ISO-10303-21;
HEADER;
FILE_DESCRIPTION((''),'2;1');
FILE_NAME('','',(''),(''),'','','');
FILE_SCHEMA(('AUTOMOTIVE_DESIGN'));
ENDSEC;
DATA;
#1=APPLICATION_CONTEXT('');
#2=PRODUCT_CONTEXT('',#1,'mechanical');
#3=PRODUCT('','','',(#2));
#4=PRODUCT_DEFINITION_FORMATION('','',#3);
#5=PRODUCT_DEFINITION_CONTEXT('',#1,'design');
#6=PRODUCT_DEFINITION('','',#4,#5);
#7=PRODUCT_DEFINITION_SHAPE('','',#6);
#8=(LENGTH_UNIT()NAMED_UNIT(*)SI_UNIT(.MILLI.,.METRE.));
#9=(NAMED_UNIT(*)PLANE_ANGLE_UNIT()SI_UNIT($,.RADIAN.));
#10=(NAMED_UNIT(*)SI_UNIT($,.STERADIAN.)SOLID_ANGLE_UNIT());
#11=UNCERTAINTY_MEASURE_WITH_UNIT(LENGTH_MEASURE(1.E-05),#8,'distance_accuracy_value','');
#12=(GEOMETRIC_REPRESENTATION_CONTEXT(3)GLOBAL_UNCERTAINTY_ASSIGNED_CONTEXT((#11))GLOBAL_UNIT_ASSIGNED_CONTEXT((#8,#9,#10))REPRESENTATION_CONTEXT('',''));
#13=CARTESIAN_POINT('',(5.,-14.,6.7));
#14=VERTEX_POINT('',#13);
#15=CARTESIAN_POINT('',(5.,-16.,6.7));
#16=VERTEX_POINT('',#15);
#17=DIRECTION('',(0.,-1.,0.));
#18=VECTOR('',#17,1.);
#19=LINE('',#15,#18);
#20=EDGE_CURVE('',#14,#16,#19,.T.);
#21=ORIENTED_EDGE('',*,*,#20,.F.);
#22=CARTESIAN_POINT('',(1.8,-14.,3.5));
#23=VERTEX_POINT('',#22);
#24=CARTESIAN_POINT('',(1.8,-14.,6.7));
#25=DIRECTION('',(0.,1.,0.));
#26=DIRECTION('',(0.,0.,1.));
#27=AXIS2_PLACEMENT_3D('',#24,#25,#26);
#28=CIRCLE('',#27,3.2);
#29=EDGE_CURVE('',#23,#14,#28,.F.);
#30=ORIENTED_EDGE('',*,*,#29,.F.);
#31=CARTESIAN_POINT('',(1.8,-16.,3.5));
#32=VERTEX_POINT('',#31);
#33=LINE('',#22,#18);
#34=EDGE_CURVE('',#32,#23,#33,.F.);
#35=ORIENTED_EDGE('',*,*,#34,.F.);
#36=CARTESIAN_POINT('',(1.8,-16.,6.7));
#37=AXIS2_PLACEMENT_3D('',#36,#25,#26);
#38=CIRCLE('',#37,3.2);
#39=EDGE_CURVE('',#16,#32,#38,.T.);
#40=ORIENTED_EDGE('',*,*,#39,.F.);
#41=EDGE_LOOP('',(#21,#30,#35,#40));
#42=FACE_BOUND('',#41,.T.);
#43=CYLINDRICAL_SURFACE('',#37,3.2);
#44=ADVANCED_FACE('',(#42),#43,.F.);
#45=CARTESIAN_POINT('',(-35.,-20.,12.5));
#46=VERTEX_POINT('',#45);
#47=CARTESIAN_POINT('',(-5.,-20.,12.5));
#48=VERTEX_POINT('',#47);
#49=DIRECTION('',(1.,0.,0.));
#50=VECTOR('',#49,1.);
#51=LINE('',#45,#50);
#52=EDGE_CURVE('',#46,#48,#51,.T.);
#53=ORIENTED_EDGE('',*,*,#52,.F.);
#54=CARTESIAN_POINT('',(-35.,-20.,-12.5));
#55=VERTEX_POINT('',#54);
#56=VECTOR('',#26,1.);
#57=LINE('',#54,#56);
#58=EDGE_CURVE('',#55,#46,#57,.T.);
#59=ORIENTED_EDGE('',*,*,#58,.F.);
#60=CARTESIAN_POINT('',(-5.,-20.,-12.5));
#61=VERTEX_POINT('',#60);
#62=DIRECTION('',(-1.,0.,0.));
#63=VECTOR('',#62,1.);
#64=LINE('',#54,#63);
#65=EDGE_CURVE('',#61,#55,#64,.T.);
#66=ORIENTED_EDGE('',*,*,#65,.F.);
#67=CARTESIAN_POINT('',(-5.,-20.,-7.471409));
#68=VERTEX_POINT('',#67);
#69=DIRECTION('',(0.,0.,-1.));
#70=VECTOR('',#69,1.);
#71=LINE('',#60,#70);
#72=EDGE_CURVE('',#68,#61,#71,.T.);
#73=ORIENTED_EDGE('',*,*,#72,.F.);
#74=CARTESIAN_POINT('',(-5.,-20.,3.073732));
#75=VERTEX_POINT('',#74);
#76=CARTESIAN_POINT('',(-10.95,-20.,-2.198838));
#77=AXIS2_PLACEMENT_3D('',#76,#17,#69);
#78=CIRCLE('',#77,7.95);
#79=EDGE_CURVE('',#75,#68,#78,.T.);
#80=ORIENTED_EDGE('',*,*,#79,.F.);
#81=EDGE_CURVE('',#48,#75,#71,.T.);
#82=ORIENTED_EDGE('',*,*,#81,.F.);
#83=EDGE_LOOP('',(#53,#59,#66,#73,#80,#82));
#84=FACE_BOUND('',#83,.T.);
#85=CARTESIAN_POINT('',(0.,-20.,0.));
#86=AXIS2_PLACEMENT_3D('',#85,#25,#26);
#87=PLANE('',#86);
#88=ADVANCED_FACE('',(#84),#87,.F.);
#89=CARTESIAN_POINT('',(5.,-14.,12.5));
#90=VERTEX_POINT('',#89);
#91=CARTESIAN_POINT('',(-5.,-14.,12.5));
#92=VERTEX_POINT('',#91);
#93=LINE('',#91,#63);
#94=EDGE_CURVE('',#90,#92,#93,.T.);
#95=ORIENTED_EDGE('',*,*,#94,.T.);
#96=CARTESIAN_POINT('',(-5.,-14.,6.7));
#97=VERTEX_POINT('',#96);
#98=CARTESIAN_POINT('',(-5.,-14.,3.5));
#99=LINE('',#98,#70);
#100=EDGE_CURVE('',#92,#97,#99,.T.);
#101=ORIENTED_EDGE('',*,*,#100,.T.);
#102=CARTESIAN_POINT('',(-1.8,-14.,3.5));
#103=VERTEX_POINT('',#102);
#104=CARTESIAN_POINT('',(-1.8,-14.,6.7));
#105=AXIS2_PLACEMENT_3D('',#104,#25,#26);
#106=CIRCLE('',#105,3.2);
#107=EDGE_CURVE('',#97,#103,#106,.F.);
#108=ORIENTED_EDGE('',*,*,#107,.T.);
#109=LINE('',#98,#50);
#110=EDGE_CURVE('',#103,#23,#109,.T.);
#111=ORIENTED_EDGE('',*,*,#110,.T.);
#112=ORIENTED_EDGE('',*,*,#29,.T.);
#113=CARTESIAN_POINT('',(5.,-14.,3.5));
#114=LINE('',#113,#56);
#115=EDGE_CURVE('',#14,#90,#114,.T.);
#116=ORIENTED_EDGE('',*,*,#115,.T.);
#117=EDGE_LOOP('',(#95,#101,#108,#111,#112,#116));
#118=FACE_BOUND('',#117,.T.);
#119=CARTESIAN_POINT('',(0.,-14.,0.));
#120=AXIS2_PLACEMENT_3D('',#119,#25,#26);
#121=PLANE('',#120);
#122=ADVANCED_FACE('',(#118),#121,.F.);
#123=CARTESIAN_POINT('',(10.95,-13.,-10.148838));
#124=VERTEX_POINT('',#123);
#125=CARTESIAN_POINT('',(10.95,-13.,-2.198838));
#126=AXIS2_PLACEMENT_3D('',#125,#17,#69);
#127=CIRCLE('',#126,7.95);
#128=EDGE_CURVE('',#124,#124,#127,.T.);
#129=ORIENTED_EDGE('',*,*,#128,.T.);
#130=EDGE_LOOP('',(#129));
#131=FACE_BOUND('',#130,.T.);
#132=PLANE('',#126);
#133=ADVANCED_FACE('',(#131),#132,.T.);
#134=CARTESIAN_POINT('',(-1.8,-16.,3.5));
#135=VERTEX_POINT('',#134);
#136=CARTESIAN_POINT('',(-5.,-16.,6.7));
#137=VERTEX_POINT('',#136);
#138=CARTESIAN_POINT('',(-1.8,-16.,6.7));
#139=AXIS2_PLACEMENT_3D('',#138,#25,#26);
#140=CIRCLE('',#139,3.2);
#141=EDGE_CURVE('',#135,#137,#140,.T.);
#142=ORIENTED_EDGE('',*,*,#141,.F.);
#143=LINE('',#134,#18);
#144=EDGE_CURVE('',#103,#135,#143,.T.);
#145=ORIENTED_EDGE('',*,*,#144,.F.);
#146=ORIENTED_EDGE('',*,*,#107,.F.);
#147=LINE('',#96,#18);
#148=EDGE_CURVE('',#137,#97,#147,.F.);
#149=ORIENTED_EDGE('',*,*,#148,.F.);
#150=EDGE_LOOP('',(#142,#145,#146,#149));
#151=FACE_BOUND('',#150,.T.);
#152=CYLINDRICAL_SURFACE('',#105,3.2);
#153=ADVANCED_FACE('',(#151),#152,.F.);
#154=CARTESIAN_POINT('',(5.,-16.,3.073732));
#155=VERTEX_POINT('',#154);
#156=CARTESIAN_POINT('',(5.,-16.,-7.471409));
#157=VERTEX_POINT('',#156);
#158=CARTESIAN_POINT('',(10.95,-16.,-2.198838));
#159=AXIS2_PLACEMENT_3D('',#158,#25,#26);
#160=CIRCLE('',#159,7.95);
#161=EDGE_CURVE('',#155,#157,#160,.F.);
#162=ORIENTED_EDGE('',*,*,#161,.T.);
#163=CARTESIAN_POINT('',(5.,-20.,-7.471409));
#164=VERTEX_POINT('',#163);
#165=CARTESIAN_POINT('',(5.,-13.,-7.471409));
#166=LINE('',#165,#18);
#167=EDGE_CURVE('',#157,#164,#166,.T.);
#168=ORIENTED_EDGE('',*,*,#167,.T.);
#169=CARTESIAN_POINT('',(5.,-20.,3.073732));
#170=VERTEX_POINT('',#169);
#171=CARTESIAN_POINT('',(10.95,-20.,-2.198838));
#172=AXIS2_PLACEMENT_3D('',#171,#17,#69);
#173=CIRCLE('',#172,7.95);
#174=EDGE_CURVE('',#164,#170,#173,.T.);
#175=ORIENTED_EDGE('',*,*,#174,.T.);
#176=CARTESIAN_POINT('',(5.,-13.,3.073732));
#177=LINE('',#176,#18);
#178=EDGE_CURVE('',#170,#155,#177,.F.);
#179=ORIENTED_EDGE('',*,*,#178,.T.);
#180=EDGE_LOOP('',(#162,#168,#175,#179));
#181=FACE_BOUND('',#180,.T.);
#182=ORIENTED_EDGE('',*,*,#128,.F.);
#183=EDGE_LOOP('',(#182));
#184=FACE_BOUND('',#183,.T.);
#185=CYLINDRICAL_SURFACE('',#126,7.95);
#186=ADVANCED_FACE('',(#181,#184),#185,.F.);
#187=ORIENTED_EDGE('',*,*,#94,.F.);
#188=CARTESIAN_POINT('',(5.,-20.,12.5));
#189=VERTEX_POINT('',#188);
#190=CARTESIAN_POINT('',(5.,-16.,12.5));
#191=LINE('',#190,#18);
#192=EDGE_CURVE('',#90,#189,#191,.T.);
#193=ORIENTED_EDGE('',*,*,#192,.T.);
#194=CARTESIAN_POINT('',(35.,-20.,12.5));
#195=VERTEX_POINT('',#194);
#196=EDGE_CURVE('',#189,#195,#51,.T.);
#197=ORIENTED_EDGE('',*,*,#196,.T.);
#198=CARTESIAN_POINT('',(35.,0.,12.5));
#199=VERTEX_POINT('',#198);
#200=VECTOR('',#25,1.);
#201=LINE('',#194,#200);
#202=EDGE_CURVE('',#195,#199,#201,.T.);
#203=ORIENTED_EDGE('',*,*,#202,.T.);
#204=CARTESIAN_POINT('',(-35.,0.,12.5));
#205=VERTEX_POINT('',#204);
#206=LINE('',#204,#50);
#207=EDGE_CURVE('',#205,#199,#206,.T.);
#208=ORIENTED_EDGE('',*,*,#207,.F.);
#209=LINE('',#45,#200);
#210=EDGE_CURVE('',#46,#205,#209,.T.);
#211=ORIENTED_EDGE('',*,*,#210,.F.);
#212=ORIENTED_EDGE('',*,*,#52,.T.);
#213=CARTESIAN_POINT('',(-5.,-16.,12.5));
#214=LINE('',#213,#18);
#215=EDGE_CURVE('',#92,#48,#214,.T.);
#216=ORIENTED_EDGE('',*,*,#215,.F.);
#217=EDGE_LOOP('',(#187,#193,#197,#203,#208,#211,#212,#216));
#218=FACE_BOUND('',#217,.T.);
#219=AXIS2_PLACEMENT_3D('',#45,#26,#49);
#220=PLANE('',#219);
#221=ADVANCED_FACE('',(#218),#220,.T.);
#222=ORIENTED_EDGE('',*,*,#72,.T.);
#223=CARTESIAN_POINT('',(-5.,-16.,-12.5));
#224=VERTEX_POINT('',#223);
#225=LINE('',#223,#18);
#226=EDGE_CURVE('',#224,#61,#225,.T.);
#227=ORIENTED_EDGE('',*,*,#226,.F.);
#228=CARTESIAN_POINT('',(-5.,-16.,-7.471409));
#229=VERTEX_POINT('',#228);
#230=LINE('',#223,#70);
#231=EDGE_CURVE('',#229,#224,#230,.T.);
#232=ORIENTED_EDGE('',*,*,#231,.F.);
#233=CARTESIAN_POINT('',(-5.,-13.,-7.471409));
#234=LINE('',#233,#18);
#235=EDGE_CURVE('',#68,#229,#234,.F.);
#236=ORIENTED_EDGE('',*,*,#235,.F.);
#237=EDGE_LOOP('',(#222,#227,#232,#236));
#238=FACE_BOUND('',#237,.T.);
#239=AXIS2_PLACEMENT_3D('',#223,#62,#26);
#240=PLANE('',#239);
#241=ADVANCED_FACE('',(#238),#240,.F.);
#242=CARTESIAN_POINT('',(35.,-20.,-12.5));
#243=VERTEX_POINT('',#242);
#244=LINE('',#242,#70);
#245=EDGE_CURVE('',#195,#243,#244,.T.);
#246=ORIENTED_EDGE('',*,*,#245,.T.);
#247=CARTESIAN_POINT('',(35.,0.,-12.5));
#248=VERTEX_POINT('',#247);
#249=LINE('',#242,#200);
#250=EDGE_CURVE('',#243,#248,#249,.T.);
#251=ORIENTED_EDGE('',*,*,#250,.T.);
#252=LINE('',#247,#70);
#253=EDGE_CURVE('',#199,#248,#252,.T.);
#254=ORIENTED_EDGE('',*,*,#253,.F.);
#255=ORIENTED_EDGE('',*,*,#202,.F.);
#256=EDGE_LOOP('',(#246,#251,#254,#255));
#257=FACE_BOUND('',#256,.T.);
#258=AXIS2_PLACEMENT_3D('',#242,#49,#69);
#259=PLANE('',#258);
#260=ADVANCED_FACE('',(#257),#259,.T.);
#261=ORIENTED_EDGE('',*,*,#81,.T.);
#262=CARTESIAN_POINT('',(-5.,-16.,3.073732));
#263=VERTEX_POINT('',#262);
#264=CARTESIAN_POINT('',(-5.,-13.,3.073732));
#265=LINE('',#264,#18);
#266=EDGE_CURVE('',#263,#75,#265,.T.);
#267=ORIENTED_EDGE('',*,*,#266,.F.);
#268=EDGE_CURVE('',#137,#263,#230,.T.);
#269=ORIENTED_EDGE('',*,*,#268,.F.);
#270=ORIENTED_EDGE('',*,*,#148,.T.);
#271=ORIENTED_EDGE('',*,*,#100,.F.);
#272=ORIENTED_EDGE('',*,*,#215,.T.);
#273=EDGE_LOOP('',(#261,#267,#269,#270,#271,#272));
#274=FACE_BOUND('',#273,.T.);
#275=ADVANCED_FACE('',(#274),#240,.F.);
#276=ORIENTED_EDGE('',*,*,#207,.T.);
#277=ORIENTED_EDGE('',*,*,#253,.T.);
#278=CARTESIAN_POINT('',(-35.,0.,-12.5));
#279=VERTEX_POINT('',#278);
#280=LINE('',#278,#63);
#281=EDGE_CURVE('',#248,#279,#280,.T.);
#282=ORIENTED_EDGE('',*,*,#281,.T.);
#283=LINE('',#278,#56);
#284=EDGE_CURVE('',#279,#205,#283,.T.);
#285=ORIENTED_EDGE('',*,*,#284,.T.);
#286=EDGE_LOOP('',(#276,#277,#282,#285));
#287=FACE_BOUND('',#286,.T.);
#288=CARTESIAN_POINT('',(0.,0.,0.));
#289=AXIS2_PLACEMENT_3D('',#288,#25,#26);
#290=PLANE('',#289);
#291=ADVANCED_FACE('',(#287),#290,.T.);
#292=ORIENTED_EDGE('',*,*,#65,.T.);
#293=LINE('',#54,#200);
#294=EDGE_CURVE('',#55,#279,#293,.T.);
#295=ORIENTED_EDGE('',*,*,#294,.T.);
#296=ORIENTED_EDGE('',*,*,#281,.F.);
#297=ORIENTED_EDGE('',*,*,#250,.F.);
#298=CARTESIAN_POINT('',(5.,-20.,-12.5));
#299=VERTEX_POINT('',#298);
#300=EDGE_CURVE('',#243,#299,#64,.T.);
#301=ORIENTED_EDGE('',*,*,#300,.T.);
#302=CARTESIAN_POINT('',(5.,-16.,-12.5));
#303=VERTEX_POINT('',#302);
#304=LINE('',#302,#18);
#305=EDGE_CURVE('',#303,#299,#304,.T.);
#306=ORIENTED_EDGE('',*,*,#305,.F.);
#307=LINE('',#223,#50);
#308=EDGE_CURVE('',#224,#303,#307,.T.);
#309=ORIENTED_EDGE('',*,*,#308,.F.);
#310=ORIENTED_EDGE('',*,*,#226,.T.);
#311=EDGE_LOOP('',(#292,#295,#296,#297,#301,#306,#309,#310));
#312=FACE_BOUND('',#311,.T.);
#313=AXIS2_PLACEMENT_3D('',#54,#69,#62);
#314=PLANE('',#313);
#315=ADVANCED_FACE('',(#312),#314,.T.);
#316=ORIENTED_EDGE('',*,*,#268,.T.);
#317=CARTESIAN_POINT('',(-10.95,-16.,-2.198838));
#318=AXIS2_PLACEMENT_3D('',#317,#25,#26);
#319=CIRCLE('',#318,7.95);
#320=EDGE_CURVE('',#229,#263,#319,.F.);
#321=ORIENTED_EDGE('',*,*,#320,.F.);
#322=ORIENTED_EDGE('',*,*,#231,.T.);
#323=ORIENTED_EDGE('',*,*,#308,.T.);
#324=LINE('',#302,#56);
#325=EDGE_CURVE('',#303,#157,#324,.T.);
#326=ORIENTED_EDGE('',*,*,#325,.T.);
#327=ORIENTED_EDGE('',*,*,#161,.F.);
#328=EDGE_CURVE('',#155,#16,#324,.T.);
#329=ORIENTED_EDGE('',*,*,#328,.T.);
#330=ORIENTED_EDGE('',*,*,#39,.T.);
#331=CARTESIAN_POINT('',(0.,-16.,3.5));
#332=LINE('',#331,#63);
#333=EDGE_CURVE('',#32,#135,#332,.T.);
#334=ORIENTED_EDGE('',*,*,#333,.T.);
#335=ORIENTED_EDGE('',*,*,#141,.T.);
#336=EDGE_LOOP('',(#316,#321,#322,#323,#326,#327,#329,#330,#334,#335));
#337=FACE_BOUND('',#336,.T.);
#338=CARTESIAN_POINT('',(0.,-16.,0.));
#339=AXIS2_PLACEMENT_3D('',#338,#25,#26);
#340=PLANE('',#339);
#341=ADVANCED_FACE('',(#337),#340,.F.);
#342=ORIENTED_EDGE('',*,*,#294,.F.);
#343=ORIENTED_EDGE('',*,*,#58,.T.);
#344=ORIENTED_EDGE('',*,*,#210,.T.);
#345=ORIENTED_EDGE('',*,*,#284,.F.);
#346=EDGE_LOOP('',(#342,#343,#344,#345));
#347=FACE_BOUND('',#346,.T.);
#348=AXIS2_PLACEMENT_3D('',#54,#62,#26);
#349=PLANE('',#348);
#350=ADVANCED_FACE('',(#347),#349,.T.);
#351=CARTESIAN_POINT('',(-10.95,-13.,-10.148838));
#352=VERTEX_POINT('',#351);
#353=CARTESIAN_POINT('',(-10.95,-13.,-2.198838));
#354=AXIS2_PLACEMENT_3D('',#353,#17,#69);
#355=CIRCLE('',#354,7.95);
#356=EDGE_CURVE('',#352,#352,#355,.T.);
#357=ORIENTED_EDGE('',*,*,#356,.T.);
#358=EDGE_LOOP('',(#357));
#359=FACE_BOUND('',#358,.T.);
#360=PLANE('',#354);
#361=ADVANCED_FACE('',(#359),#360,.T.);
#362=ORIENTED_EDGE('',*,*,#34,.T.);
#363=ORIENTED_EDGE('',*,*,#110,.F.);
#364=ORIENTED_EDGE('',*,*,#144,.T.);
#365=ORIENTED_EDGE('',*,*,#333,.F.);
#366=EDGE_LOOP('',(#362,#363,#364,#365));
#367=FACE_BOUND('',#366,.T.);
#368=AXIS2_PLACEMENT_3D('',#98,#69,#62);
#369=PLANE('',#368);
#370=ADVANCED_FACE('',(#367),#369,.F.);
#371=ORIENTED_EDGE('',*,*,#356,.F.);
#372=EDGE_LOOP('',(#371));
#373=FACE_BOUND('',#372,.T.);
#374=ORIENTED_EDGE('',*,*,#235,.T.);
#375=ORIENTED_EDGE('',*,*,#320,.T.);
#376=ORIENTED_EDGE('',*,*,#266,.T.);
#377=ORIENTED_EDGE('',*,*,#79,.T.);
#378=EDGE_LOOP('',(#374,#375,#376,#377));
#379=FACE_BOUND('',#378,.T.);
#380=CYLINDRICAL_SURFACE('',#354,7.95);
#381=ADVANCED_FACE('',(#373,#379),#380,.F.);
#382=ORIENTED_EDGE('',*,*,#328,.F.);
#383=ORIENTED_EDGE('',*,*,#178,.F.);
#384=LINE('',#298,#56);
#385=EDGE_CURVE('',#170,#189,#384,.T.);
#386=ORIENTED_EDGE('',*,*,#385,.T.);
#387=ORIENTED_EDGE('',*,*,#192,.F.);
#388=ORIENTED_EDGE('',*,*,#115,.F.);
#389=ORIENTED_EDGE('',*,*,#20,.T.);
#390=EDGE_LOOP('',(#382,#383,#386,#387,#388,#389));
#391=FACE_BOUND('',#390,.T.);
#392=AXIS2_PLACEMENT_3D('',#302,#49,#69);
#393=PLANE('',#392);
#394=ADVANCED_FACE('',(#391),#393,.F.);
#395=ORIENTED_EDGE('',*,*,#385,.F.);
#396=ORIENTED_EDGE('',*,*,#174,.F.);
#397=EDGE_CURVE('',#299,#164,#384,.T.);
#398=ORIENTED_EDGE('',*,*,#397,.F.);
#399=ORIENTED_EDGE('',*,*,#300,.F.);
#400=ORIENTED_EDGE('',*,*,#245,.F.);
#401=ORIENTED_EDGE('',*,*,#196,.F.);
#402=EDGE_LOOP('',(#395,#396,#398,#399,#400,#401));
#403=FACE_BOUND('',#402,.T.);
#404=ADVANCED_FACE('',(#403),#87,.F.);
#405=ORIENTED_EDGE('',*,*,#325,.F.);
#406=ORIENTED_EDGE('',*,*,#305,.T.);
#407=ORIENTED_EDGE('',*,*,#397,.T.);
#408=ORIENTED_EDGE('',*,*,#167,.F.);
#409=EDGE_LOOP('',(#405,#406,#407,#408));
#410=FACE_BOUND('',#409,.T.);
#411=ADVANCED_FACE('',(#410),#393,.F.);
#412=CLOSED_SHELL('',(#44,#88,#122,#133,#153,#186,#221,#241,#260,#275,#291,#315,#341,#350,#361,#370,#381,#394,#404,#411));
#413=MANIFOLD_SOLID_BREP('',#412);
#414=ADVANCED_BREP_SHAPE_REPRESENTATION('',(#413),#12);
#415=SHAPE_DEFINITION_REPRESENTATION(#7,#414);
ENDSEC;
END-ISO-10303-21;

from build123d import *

# Parameters (mm, degrees)
SKETCH1_W           = 70
SKETCH1_H           = 25
BOSS_EXTRUDE1_DEPTH = 20
SKETCH2_R           = 7.95
CUT_EXTRUDE1_DEPTH  = 7
SKETCH3_W           = 10
SKETCH3_H           = 25
CUT_EXTRUDE2_DEPTH  = 4
SKETCH7_W           = 10
SKETCH7_H           = 9
CUT_EXTRUDE3_DEPTH  = 6
FILLET1_R           = 3.2


with BuildPart() as part:
    # Sketch1 → Boss-Extrude1 (new body)
    with BuildSketch(Plane(origin=(0, 0, 0), x_dir=(1, 0, 0), z_dir=(0, 1, 0))):
        Rectangle(SKETCH1_W, SKETCH1_H)
    extrude(amount=-BOSS_EXTRUDE1_DEPTH)

    # Sketch2 → Cut-Extrude1 (cut)
    with BuildSketch(Plane.XZ.offset(20)):
        with Locations(Location((-10.95, -2.198838129, 0), (0, 0, 270))):
            Circle(SKETCH2_R)
        with Locations(Location((10.95, -2.198838129, 0), (0, 0, 270))):
            Circle(SKETCH2_R)
    extrude(amount=-CUT_EXTRUDE1_DEPTH, mode=Mode.SUBTRACT)

    # Sketch3 → Cut-Extrude2 (cut)
    with BuildSketch(Plane.XZ.offset(20)):
        Rectangle(SKETCH3_W, SKETCH3_H)
    extrude(amount=-CUT_EXTRUDE2_DEPTH, mode=Mode.SUBTRACT)

    # Sketch7 → Cut-Extrude3 (cut)
    with BuildSketch(Plane.XZ.offset(20)):
        with Locations((0, 8)):
            Rectangle(SKETCH7_W, SKETCH7_H)
    extrude(amount=-CUT_EXTRUDE3_DEPTH, mode=Mode.SUBTRACT)

    # Fillet1
    fillet1_edges = [part.edges().sort_by_distance(p)[0] for p in [
        (5, -15, 3.5),
        (-5, -15, 3.5),
    ]]
    fillet(fillet1_edges, radius=FILLET1_R)


solid = part.part
